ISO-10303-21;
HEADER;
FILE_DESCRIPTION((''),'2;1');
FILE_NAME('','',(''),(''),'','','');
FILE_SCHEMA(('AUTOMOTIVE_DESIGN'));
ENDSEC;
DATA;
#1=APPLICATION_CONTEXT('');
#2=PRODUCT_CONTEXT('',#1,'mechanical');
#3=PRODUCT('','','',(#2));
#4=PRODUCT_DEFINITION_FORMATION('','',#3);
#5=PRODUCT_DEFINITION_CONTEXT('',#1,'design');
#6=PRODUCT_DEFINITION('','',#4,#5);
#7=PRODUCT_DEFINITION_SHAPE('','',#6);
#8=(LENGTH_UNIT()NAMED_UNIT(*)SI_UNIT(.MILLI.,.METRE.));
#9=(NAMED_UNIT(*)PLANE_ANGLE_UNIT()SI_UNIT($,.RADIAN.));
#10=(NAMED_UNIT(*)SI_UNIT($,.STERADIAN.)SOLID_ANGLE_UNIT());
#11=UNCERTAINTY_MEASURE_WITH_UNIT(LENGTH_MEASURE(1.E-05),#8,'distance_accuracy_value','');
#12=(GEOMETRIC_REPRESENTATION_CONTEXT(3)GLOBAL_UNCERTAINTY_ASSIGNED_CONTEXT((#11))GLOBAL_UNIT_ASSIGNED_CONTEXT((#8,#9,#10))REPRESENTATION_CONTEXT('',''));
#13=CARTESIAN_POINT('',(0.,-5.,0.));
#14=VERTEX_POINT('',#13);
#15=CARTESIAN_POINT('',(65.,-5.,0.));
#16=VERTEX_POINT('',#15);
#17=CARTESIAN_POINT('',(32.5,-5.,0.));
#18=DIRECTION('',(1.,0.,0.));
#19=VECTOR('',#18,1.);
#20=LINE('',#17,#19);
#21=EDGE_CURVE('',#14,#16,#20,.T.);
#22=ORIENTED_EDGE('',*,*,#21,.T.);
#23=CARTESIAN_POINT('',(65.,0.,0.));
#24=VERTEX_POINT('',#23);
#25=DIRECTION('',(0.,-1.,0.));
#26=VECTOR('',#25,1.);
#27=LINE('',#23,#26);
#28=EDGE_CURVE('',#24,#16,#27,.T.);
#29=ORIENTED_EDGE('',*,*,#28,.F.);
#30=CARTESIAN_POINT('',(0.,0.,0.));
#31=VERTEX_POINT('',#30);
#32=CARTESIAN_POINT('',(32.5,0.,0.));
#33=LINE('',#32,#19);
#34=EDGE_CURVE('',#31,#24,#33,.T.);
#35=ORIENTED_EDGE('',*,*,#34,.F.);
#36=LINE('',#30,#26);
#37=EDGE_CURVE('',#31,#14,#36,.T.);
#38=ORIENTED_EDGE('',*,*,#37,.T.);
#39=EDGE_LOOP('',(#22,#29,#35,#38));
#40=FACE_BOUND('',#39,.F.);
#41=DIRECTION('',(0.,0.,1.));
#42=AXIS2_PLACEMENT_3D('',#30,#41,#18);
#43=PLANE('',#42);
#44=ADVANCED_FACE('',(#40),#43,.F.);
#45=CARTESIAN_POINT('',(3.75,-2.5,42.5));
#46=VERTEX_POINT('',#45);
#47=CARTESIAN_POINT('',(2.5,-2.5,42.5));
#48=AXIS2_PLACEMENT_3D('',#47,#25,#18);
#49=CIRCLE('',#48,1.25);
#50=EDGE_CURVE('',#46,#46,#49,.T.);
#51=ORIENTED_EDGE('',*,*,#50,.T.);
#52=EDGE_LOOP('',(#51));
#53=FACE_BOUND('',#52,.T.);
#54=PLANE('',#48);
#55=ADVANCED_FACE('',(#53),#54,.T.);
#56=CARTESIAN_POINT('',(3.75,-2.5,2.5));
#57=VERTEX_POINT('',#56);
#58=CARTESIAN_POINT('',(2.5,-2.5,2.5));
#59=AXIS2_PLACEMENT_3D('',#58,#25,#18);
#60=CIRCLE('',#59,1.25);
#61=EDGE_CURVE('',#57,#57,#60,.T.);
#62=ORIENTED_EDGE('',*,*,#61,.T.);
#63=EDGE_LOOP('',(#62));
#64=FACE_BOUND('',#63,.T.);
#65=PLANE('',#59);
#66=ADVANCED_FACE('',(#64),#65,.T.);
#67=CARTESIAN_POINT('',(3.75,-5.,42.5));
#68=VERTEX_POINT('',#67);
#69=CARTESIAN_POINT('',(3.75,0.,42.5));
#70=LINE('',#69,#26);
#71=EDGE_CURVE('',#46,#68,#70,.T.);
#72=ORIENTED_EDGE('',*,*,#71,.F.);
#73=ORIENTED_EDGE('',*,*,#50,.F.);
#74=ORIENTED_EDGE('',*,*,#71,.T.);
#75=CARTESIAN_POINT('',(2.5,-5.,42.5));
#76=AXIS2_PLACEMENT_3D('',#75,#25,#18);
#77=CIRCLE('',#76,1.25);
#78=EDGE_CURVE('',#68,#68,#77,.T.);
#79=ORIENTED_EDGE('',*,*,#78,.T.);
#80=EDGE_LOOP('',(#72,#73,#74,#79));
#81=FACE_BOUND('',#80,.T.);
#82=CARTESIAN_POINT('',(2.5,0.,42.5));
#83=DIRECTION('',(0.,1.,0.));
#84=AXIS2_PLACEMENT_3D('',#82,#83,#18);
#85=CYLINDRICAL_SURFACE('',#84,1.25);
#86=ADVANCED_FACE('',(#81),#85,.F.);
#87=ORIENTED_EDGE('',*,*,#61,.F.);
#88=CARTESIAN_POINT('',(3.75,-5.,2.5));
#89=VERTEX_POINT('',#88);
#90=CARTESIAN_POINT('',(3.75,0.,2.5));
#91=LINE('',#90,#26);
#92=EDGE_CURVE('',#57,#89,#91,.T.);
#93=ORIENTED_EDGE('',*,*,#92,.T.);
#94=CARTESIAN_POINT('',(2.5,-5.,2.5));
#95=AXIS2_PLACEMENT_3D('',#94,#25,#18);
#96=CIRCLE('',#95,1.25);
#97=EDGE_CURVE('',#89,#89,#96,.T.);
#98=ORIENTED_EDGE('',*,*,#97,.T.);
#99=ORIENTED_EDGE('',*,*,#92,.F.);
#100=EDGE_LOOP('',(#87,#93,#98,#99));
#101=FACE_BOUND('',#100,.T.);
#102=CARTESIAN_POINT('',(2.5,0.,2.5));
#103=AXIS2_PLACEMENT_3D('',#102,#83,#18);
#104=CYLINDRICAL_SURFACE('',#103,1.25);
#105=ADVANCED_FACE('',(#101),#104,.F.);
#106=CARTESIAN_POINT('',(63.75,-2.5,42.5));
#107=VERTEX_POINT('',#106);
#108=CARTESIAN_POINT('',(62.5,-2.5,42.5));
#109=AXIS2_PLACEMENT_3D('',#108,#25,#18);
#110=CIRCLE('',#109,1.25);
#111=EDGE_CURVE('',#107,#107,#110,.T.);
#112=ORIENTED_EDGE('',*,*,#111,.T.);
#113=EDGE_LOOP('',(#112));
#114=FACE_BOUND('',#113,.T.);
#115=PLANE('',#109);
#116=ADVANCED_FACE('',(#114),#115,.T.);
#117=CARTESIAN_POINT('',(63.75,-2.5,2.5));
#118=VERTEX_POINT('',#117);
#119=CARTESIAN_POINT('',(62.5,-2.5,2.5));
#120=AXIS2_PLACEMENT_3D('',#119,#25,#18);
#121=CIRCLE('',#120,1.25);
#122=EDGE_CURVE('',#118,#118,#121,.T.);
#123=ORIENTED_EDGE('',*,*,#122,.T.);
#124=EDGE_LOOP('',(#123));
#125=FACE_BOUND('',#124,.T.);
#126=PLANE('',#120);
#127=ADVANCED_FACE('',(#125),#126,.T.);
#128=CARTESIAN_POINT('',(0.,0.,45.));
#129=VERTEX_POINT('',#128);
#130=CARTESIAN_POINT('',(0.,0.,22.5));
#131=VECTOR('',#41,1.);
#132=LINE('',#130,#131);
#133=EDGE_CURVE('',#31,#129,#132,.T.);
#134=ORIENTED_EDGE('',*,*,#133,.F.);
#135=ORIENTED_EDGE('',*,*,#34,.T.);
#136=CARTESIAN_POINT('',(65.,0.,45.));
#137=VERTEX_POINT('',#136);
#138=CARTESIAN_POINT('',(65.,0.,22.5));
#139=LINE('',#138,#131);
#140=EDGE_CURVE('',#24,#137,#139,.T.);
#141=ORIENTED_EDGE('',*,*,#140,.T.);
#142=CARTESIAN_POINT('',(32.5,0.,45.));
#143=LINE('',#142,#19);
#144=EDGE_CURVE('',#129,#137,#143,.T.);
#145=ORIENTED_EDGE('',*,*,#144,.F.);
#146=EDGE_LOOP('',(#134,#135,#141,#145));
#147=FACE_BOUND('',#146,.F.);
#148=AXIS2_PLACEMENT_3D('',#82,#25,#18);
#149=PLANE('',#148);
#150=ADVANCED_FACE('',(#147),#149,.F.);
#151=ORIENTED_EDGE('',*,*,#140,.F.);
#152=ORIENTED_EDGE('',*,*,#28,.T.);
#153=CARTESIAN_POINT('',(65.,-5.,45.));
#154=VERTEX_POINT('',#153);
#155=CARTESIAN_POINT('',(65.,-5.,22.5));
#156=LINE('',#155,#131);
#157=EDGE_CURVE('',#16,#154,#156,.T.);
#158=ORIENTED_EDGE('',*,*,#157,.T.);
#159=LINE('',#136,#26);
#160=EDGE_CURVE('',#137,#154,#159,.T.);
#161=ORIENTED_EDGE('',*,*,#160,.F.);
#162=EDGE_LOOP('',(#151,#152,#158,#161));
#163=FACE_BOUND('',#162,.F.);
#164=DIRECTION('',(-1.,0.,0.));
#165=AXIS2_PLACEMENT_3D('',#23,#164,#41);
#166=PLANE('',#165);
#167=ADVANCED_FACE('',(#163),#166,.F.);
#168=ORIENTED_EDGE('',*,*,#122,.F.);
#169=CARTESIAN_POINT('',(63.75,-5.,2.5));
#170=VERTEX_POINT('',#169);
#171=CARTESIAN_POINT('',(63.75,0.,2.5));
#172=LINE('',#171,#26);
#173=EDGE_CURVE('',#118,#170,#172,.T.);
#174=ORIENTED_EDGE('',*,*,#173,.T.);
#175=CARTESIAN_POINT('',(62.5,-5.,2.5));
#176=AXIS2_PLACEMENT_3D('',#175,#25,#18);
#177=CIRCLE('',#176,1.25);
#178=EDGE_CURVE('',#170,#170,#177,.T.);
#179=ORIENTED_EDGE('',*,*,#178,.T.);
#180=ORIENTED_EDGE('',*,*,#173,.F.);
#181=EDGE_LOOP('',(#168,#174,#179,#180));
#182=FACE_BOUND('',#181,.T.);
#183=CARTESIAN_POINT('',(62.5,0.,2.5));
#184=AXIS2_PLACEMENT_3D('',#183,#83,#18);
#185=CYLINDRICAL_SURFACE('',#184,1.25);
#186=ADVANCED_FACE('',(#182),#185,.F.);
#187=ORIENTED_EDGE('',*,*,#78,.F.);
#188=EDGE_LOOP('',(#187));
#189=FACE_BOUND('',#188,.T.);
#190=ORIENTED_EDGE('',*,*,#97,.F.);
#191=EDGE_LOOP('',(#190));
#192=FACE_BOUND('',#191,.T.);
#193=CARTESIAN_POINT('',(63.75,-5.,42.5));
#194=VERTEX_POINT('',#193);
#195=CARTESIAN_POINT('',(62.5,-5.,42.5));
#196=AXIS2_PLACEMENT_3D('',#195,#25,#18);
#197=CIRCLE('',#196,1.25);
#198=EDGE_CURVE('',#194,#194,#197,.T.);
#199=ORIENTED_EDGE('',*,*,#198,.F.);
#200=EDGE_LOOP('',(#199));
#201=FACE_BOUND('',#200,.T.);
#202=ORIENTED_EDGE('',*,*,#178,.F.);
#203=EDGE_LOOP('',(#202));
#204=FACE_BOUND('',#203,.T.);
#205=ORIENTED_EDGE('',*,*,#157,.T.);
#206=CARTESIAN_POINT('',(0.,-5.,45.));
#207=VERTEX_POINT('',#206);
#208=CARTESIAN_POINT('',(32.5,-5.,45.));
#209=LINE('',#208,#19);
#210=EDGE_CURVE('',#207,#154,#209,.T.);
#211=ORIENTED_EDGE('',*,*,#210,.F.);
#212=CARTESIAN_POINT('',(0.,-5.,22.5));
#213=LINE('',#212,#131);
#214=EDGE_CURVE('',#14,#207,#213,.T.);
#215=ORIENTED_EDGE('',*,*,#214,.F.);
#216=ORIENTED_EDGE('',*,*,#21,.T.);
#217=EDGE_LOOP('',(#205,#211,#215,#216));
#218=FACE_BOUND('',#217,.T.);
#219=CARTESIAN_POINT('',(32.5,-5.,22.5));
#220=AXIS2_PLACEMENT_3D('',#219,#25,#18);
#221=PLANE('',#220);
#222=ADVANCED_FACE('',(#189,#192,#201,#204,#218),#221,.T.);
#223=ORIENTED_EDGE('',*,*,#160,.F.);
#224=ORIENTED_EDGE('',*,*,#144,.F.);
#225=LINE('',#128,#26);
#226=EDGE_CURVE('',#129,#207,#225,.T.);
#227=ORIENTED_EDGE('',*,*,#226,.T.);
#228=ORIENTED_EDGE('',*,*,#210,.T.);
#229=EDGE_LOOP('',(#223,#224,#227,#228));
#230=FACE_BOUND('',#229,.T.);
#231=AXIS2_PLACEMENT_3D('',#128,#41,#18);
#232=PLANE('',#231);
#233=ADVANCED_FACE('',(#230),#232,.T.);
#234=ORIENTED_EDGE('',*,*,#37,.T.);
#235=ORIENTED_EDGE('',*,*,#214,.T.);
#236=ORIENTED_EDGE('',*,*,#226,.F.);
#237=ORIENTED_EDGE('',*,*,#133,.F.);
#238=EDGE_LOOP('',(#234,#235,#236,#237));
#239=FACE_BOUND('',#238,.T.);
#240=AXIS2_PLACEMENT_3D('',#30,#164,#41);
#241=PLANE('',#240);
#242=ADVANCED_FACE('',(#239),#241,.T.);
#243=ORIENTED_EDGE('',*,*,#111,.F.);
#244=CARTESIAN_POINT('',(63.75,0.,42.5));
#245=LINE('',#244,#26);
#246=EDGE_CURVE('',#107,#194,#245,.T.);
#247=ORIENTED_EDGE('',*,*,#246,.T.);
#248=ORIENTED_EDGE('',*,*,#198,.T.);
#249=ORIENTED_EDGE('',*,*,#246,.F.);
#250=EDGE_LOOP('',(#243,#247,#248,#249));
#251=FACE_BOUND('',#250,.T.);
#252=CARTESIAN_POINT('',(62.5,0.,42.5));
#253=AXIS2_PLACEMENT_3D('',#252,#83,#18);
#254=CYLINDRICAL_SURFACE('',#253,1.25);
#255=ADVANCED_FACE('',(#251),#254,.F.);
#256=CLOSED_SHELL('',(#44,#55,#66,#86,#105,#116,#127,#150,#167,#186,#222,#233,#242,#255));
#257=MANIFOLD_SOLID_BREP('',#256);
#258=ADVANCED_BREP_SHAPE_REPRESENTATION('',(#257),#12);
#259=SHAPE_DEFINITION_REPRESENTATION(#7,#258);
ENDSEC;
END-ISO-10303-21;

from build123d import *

# Parameters (mm, degrees)
F0_W     = 65
F0_H     = 45
F0_R     = 1.25
F1_DEPTH = 5
F2_DEPTH = 2.5


with BuildPart() as f1:
    # F0 (on Front) → F1 (new body)
    with BuildSketch(Plane.XZ):
        with Locations((32.5, 22.5)):
            Rectangle(F0_W, F0_H)
        with Locations((2.5, 2.5)):
            Circle(F0_R, mode=Mode.SUBTRACT)
        with Locations((62.5, 2.5)):
            Circle(F0_R, mode=Mode.SUBTRACT)
        with Locations((2.5, 42.5)):
            Circle(F0_R, mode=Mode.SUBTRACT)
        with Locations((62.5, 42.5)):
            Circle(F0_R, mode=Mode.SUBTRACT)
    extrude(amount=F1_DEPTH)

    # F0 (on Front) → F2 (join)
    with BuildSketch(Plane.XZ):
        with Locations((2.5, 42.5)):
            Circle(F0_R)
        with Locations((2.5, 2.5)):
            Circle(F0_R)
        with Locations((62.5, 2.5)):
            Circle(F0_R)
        with Locations((62.5, 42.5)):
            Circle(F0_R)
    extrude(amount=F2_DEPTH)


solid = f1.part
